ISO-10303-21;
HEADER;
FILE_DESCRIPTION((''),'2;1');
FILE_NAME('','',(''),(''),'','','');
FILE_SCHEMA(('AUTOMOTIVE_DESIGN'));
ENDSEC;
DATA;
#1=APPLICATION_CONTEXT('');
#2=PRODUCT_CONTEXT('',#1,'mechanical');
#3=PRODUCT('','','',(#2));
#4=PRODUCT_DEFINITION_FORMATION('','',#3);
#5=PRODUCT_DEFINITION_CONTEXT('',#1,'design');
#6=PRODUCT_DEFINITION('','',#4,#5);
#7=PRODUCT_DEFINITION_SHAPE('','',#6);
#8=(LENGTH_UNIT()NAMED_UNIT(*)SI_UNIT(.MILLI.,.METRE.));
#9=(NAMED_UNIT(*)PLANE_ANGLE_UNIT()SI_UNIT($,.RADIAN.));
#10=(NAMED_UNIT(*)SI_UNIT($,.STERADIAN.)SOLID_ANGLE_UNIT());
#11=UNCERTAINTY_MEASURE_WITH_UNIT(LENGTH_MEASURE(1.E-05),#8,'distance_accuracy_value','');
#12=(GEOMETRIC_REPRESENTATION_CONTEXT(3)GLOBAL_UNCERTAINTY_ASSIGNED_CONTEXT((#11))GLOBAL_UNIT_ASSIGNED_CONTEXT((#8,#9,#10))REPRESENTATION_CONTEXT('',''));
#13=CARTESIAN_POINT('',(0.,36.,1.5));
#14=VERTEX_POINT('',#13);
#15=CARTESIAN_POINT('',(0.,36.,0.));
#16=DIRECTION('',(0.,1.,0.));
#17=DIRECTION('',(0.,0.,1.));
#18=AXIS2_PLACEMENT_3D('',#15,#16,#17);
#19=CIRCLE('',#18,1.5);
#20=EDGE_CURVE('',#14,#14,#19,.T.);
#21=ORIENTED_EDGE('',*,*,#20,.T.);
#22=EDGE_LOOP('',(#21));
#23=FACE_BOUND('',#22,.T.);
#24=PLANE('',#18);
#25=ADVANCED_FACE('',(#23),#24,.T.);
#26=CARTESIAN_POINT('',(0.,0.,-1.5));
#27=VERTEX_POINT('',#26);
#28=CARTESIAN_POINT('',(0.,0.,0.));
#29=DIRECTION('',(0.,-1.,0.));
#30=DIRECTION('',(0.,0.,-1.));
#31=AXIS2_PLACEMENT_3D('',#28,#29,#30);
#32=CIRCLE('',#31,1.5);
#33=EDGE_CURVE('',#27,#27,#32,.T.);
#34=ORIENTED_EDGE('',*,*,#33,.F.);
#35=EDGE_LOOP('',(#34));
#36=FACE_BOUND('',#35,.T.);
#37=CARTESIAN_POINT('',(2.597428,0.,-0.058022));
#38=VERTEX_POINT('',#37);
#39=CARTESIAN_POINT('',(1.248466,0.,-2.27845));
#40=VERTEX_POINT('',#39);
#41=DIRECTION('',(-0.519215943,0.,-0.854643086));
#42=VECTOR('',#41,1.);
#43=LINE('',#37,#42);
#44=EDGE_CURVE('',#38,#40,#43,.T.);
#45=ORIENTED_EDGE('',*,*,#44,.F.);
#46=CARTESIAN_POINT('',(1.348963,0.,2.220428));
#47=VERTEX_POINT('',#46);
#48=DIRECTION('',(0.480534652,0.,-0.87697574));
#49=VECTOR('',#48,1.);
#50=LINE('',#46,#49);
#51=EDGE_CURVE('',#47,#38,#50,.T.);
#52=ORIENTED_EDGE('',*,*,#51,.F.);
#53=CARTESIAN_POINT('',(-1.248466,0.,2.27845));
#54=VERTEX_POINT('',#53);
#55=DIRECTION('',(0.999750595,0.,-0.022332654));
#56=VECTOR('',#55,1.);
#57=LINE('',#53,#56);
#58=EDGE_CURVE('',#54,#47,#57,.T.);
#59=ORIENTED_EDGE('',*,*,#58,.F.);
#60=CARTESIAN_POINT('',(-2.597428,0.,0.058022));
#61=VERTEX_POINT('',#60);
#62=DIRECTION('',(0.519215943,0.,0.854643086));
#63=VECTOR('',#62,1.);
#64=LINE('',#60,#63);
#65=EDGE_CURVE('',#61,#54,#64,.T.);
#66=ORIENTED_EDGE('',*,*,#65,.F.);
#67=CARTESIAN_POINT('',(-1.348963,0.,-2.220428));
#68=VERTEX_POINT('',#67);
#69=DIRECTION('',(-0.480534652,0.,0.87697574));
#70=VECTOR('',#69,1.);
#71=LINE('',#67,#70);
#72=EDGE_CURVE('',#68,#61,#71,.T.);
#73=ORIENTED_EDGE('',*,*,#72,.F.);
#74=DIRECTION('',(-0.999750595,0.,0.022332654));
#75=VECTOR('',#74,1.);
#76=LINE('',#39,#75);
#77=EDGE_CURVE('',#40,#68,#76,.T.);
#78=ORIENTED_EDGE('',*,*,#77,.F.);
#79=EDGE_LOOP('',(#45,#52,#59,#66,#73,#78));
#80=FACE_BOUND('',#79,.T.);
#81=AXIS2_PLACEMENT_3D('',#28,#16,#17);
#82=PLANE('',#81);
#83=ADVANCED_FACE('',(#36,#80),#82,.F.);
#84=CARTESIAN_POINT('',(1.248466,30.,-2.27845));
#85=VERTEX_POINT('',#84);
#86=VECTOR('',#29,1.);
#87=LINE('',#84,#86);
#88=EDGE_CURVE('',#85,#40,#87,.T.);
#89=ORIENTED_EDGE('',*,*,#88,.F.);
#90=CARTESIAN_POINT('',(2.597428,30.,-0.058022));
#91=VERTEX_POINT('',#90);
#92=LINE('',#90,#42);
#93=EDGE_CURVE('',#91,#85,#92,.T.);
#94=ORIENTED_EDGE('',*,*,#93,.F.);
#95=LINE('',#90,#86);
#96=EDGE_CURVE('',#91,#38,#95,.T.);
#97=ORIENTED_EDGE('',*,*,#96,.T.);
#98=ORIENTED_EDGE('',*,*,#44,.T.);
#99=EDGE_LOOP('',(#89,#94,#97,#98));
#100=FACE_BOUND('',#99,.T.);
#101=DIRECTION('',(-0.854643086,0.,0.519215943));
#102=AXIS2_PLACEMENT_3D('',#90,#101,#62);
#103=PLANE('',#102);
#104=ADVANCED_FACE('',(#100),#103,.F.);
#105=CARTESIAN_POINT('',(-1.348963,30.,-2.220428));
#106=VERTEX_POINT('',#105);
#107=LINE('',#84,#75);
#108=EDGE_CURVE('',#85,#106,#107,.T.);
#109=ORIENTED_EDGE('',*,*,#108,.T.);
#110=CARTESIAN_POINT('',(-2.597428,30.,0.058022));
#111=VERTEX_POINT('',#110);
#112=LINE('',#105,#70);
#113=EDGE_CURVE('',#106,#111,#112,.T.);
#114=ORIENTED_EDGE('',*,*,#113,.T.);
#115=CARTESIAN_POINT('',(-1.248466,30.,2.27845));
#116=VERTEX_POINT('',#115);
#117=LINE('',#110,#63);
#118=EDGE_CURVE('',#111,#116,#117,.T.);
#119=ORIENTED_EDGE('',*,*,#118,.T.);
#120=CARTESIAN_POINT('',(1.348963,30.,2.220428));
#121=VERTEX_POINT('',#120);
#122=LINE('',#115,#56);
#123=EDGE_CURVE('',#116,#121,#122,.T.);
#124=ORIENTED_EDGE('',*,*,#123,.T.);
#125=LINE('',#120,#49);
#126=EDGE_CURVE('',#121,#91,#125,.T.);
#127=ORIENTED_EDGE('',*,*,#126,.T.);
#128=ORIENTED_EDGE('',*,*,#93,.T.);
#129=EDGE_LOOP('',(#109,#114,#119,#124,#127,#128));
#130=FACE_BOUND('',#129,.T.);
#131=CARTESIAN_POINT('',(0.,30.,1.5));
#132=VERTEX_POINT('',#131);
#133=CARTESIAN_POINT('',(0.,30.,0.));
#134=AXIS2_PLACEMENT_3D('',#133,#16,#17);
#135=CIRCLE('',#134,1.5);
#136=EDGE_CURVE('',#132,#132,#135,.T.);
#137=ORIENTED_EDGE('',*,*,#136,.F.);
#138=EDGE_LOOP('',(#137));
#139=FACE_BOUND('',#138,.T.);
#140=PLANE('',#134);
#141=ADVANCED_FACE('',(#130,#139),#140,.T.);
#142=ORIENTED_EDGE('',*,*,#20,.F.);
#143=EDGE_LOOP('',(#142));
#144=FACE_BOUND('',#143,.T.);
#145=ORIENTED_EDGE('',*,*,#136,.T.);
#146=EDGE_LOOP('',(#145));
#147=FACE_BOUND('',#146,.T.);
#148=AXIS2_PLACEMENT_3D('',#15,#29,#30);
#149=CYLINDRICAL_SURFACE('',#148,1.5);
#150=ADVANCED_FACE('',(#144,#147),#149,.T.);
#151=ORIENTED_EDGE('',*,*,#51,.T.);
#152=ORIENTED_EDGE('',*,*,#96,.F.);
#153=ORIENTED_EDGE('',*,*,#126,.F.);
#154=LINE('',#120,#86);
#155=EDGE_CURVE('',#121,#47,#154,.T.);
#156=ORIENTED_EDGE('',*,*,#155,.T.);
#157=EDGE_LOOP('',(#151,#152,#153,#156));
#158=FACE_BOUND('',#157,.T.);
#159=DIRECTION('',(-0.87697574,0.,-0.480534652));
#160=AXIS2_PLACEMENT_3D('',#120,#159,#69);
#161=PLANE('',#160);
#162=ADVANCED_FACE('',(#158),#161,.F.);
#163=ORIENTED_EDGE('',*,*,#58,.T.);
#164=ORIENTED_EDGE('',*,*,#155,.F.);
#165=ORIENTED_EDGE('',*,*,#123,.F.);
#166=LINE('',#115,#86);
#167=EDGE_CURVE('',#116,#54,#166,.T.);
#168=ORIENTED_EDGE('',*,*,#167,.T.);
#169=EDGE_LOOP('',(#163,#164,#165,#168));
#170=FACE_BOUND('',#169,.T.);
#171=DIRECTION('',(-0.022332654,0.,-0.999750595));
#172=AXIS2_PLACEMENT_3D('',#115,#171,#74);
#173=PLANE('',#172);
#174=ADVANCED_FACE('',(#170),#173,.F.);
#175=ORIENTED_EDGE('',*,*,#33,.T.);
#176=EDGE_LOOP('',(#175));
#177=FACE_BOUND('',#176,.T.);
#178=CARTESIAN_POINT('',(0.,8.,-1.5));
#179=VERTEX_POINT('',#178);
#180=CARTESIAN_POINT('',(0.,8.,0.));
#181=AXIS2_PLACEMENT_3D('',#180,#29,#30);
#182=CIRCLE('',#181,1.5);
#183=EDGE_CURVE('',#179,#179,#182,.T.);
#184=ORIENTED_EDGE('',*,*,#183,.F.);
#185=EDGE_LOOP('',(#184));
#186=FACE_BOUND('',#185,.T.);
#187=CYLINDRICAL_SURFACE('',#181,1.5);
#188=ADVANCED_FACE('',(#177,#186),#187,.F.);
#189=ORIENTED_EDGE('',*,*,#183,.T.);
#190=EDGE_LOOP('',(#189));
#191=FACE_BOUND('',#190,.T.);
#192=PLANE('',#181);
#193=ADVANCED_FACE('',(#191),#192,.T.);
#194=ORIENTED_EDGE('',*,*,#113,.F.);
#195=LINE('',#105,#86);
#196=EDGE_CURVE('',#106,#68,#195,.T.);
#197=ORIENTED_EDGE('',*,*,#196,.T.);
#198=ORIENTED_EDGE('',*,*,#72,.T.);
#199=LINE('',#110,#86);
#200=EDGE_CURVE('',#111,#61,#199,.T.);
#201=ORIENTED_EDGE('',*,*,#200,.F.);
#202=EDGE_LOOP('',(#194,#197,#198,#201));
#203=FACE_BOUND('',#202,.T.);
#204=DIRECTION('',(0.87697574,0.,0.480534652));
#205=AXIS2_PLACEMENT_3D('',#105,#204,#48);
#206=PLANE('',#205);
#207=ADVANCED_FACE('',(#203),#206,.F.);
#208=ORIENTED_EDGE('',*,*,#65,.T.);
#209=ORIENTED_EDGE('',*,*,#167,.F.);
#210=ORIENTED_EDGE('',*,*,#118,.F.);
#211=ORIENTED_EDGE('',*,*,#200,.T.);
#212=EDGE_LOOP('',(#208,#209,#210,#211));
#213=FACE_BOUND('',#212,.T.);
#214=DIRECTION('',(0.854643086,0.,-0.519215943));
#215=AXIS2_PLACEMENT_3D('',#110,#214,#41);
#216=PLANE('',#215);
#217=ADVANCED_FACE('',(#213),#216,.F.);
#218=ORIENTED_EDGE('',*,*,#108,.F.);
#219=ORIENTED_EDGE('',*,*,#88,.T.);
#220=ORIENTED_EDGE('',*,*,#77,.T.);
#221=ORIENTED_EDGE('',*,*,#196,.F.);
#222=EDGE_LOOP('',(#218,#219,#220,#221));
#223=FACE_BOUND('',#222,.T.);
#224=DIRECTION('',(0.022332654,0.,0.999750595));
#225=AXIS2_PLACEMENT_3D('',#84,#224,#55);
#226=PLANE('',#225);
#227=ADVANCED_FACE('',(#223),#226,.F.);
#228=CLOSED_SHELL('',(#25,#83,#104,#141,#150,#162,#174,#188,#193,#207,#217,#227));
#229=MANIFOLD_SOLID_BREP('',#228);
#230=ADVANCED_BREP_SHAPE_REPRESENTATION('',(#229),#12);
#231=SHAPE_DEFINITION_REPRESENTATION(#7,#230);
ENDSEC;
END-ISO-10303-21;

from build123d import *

# Parameters (mm, degrees)
SKETCH_1_R          = 1.5
EXTRUDE_1_DEPTH     = 30
SKETCH_1_2_R        = 1.5
EXTRUDE_2_DEPTH     = 36
SKETCH_2_R          = 1.5
CUT_EXTRUDE_1_DEPTH = 8


with BuildPart() as part:
    # 草图1 → 凸台-拉伸1 (new body)
    with BuildSketch(Plane(origin=(0, 0, 0), x_dir=(1, 0, 0), z_dir=(0, 1, 0))):
        Polygon((1.248465648, 2.278449808), (-1.348962591, 2.220427871), (-2.597428239, -0.058021937), (-1.248465648, -2.278449808), (1.348962591, -2.220427871), (2.597428239, 0.058021937), align=None)
        Circle(SKETCH_1_R, mode=Mode.SUBTRACT)
    extrude(amount=EXTRUDE_1_DEPTH)

    # 草图1<2> → 凸台-拉伸2 (add)
    with BuildSketch(Plane(origin=(0, 0, 0), x_dir=(1, 0, 0), z_dir=(0, 1, 0))):
        Circle(SKETCH_1_2_R)
    extrude(amount=EXTRUDE_2_DEPTH)

    # 草图2 → 切除-拉伸1 (cut)
    with BuildSketch(Plane.XZ):
        Circle(SKETCH_2_R)
    extrude(amount=-CUT_EXTRUDE_1_DEPTH, mode=Mode.SUBTRACT)


solid = part.part
